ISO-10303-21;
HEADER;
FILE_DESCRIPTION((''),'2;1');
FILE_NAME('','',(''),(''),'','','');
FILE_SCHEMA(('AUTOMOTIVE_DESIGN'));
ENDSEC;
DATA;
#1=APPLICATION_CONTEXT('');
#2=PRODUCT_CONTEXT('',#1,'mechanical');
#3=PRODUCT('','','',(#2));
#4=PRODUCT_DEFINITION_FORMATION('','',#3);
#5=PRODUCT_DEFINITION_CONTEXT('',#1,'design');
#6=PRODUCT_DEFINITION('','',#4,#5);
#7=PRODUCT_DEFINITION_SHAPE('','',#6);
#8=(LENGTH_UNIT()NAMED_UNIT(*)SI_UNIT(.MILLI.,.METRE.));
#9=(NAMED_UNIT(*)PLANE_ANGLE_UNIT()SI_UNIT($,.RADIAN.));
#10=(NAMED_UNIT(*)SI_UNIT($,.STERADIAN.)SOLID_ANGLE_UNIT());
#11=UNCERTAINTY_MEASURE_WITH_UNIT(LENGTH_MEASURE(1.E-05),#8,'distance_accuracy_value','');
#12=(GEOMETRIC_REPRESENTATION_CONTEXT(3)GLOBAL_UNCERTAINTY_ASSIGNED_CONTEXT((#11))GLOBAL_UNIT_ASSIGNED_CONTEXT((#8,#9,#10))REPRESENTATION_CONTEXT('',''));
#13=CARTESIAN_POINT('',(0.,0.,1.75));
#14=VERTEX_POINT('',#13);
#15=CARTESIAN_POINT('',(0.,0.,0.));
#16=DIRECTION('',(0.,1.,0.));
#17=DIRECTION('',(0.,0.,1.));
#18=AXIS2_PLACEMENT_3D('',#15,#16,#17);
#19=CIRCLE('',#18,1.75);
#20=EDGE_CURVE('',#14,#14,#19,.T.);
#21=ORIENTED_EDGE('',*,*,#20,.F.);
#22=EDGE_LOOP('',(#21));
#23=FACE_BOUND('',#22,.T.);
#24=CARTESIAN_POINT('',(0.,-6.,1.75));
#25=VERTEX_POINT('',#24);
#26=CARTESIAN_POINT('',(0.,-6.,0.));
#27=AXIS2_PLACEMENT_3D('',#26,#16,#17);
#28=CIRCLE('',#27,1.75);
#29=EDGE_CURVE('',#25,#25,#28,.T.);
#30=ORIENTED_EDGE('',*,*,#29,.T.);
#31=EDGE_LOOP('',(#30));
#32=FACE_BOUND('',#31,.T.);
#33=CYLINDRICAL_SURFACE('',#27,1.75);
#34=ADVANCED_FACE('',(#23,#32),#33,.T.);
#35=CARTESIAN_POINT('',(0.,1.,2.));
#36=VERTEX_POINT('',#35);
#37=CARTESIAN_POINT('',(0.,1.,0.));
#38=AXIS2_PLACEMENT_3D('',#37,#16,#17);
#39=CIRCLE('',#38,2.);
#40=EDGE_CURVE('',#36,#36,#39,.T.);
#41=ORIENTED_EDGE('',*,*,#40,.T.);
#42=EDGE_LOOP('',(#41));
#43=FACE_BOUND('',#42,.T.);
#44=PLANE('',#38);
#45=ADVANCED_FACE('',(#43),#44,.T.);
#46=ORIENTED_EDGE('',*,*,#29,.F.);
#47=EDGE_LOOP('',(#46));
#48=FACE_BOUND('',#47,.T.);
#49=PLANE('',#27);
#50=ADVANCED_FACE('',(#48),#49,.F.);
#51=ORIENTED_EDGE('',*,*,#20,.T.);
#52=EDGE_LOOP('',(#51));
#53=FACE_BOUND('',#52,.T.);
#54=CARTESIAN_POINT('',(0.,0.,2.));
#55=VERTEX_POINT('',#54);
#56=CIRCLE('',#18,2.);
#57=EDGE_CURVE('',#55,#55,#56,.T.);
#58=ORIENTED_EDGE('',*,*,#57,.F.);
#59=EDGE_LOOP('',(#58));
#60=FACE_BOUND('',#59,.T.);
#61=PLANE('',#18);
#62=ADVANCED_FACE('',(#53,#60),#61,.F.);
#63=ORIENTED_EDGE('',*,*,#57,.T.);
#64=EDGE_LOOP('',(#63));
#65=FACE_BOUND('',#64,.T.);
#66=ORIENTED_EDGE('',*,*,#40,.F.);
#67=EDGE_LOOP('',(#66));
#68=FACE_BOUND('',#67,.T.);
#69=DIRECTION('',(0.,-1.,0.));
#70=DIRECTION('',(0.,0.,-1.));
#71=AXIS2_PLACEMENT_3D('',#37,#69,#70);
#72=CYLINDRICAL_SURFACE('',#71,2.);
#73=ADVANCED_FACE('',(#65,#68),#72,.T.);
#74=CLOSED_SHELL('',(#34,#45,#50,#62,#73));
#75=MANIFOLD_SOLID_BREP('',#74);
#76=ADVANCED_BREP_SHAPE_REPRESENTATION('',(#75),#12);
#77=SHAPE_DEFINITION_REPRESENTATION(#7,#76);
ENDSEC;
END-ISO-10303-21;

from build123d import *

# Parameters (mm, degrees)
ESQUISSE1_R        = 1.75
BOSS_EXTRU_1_DEPTH = 6
ESQUISSE2_R        = 2
BOSS_EXTRU_2_DEPTH = 1


with BuildPart() as part:
    # Esquisse1 → Boss.-Extru.1 (new body)
    with BuildSketch(Plane(origin=(0, 0, 0), x_dir=(1, 0, 0), z_dir=(0, 1, 0))):
        with Locations(Location((0, 0, 0), (0, 0, 270))):
            Circle(ESQUISSE1_R)
    extrude(amount=-BOSS_EXTRU_1_DEPTH)

    # Esquisse2 → Boss.-Extru.2 (add)
    with BuildSketch(Plane(origin=(0, 0, 0), x_dir=(1, 0, 0), z_dir=(0, 1, 0))):
        with Locations(Location((0, 0, 0), (0, 0, 270))):
            Circle(ESQUISSE2_R)
    extrude(amount=BOSS_EXTRU_2_DEPTH)


solid = part.part
